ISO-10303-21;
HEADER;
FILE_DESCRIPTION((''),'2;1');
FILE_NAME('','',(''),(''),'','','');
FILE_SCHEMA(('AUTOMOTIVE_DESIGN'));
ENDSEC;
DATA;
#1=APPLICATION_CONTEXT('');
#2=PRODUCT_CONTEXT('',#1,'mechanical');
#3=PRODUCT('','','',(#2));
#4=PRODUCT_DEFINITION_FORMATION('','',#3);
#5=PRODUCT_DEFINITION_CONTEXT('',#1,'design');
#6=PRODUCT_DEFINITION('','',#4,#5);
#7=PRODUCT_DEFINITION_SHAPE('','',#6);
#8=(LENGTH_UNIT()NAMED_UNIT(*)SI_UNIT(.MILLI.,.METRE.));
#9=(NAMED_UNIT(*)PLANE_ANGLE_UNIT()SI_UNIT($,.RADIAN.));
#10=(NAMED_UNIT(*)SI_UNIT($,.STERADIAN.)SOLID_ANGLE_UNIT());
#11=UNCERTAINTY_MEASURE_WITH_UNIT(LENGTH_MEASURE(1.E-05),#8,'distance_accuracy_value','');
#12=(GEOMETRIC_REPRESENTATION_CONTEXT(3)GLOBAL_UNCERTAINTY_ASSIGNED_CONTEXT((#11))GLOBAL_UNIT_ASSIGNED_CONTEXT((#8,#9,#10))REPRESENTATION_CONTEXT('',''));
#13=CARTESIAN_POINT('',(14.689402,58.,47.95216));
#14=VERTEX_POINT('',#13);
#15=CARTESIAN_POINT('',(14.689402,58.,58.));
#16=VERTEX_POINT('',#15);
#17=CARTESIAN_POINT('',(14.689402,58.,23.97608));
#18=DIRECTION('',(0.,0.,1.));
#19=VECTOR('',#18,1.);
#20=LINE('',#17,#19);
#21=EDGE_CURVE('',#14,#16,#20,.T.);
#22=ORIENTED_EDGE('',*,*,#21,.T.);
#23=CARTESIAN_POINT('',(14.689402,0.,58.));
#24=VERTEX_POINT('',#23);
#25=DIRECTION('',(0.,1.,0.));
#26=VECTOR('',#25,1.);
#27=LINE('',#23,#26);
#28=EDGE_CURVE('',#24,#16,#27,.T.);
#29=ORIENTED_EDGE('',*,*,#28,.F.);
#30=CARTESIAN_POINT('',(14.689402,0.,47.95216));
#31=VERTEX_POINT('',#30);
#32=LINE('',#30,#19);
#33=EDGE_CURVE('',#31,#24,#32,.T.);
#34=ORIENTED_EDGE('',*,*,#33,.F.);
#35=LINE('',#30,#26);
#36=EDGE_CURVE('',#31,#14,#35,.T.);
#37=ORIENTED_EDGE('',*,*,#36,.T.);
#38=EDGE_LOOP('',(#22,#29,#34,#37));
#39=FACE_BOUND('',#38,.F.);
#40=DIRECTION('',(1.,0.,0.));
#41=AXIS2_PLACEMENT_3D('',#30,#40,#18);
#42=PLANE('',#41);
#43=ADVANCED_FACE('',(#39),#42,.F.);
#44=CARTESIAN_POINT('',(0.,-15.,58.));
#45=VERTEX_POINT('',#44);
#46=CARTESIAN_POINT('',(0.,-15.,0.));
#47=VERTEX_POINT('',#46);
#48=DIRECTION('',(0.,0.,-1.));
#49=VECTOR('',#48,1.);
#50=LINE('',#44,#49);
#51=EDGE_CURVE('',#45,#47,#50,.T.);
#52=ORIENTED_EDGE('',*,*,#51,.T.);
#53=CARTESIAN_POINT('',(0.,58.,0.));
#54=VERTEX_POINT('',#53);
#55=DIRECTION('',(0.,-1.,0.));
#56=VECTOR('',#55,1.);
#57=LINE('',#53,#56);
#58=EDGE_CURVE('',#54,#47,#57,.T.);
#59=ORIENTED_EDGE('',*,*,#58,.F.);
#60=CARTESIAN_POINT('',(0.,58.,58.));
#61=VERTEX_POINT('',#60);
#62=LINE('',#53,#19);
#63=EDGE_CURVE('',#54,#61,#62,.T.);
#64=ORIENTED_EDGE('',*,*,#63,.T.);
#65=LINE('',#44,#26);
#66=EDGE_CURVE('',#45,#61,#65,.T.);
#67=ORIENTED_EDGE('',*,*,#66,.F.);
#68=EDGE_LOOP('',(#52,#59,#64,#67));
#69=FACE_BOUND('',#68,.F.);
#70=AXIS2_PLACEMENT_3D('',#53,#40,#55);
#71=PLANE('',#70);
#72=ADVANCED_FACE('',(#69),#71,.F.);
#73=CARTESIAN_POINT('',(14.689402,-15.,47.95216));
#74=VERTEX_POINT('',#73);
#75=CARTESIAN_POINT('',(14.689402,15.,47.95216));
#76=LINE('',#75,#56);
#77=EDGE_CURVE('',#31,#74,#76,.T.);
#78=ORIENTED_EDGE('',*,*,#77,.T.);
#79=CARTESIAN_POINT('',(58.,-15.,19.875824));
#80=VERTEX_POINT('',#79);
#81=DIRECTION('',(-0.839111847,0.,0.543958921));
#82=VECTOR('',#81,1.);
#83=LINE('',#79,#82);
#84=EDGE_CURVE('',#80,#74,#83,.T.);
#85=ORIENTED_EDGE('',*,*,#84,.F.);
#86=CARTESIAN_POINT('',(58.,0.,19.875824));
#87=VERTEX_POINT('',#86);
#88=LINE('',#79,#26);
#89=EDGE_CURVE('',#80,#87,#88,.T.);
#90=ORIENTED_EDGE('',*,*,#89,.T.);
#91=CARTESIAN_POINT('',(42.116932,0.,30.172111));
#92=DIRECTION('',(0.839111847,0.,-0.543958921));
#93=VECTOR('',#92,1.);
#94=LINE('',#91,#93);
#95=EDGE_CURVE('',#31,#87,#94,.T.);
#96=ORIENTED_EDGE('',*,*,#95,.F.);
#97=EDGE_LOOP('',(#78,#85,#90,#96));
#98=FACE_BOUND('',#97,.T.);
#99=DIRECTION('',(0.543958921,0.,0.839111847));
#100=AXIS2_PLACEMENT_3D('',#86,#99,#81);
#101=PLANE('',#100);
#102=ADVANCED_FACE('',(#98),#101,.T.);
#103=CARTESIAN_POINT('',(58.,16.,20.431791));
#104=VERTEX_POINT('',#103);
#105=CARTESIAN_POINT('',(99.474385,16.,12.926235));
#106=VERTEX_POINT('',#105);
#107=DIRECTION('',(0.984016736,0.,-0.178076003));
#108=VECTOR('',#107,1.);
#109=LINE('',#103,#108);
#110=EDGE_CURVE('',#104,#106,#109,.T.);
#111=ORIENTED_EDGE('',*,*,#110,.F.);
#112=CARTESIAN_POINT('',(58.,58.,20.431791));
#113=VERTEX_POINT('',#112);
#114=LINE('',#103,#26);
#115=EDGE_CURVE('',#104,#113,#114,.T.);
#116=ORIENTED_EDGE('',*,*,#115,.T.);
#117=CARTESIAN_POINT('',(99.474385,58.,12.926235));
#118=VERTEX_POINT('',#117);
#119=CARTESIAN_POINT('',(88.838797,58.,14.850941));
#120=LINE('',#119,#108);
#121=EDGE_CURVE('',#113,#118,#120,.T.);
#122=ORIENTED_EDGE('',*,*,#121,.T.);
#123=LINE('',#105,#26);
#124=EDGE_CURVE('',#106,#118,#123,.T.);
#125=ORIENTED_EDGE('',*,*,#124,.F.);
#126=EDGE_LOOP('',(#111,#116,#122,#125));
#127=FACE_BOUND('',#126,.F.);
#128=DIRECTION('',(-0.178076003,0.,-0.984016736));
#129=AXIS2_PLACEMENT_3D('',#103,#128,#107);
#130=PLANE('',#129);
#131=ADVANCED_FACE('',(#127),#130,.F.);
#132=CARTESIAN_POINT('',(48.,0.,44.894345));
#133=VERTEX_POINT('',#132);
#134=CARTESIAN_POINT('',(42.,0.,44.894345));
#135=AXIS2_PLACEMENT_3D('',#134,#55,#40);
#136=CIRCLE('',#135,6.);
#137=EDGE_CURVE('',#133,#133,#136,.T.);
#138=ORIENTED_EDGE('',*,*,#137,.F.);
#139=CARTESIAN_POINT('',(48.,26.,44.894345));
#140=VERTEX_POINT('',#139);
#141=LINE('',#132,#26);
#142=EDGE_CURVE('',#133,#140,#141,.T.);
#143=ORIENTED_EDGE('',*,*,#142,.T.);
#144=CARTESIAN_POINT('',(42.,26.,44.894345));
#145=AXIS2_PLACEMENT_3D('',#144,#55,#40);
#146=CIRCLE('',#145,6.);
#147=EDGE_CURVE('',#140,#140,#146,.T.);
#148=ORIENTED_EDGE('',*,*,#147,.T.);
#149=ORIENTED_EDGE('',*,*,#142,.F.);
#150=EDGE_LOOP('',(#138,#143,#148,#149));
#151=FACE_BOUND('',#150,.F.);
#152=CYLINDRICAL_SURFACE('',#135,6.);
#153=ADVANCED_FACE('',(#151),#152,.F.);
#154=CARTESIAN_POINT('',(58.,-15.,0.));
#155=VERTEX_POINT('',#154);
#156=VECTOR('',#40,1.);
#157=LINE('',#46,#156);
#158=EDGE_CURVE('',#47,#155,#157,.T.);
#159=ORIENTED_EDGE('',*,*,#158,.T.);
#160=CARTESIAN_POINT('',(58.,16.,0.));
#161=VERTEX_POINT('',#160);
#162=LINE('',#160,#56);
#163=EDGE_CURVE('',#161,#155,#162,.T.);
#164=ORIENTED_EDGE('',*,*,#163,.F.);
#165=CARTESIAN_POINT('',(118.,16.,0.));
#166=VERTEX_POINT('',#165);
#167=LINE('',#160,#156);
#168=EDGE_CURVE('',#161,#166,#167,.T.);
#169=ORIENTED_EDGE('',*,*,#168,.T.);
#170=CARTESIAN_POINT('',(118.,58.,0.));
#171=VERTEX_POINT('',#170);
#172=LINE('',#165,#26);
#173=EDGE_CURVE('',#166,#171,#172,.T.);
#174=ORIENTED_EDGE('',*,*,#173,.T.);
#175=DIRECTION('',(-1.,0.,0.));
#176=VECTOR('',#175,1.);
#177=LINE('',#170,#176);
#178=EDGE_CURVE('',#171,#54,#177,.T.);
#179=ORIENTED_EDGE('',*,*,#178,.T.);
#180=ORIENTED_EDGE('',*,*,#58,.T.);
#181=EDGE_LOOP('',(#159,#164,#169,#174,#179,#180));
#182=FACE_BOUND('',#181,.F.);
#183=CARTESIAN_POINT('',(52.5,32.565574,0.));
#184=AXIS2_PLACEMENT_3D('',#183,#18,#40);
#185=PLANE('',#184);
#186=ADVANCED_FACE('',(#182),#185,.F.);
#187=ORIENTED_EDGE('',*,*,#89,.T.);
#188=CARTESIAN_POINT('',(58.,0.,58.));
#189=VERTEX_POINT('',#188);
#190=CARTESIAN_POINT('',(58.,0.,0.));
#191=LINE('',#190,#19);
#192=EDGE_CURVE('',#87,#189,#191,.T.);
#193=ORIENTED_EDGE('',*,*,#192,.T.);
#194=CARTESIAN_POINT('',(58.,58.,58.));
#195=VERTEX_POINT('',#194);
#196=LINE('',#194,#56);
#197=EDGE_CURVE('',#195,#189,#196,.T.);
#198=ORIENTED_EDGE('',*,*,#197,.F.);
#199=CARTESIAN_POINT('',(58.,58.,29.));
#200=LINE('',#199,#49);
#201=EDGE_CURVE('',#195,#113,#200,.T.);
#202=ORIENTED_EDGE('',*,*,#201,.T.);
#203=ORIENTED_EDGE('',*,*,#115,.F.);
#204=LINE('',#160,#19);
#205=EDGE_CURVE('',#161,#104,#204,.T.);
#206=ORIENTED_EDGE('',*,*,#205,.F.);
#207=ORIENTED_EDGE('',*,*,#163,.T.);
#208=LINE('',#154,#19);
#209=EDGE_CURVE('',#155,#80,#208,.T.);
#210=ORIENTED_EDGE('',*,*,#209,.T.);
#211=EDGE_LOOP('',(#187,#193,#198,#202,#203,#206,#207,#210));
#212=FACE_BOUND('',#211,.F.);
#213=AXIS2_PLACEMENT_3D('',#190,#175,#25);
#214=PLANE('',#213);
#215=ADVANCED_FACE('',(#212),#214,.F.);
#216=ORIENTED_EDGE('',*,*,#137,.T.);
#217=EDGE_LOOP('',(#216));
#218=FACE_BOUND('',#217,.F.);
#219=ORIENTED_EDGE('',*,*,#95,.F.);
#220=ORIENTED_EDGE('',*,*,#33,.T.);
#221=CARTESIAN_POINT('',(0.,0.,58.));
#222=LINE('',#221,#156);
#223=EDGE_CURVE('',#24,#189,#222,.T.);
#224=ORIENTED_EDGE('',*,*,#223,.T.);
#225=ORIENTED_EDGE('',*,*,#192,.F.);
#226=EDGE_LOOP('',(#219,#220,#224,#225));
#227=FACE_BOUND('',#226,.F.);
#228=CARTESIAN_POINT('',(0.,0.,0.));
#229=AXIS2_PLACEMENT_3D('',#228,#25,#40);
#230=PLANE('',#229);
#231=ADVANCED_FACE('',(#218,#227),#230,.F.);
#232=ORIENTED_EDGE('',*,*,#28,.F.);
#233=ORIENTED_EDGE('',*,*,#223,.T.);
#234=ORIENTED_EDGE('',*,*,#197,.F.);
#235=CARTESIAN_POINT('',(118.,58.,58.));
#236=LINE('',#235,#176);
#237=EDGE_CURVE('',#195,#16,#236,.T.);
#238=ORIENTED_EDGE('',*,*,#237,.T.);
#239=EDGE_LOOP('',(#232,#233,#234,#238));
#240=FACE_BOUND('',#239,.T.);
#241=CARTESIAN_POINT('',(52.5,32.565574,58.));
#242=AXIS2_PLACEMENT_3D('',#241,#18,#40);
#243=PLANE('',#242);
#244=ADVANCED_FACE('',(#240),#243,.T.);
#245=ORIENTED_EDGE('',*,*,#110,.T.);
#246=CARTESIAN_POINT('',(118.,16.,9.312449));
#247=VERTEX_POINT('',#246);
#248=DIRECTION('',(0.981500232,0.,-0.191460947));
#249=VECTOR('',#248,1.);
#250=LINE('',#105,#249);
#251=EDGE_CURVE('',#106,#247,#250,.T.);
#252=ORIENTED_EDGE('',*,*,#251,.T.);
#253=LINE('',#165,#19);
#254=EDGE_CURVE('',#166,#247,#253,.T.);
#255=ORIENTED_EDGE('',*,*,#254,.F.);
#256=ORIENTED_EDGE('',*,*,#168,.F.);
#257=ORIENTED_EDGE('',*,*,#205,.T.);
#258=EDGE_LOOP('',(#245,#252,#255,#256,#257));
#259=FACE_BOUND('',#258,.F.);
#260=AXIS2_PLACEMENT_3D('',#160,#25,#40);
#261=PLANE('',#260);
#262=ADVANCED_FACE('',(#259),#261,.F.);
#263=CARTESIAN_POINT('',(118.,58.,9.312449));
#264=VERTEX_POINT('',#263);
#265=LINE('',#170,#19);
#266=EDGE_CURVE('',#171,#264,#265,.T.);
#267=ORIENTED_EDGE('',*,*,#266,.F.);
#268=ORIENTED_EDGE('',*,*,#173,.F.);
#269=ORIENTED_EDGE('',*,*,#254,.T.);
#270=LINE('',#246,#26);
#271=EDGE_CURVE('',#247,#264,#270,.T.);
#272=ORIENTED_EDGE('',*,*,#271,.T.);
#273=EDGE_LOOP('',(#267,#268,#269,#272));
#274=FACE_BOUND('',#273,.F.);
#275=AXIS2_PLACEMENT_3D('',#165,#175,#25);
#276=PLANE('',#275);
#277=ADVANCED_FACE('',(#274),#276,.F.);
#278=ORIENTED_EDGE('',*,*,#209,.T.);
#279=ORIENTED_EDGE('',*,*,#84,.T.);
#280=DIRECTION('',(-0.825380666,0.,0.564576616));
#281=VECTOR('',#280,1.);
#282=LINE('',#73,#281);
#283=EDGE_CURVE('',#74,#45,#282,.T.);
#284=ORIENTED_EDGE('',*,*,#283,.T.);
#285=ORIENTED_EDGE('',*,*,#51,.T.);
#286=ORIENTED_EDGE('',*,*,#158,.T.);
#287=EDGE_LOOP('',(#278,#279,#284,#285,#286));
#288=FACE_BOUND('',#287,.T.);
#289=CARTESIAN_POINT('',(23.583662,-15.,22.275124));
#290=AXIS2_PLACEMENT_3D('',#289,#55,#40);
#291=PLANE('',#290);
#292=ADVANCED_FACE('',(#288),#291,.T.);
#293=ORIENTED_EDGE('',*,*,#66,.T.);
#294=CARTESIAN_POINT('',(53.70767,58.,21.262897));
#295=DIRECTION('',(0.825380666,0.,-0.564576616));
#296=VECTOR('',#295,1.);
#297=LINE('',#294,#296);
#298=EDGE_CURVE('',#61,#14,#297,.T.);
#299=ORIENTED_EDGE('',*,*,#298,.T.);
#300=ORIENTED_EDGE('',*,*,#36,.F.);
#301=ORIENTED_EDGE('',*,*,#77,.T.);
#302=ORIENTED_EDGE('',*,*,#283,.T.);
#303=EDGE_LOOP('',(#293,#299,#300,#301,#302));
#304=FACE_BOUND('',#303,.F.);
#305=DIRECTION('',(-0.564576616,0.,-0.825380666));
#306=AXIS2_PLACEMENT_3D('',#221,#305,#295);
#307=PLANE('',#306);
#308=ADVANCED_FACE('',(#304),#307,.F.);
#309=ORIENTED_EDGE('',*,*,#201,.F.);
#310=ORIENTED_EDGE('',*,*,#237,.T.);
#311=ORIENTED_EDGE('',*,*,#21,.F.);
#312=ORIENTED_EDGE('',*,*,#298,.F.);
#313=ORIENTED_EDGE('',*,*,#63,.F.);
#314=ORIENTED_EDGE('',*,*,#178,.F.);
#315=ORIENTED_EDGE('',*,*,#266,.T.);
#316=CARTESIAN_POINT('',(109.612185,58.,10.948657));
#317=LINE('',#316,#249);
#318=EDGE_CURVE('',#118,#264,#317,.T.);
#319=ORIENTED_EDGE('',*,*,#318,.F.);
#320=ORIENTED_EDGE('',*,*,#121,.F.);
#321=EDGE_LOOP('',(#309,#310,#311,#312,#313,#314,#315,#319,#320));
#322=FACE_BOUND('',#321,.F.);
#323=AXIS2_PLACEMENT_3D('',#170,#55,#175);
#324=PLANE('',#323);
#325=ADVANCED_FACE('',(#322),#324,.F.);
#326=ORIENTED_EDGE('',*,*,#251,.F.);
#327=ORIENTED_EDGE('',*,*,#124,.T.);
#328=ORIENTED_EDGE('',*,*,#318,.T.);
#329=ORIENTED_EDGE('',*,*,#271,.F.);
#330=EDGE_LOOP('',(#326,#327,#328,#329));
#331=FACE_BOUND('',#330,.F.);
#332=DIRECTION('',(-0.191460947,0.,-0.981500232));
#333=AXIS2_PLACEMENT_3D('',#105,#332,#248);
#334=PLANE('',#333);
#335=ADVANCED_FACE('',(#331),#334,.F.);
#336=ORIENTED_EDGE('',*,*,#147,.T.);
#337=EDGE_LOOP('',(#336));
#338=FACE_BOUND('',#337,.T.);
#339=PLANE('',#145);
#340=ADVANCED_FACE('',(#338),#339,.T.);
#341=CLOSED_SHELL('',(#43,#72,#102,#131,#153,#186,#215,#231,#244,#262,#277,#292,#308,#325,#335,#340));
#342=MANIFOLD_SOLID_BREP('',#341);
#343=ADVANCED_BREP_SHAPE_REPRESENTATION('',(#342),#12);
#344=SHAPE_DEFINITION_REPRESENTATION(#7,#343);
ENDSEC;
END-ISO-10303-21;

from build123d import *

# Parameters (mm, degrees)
F1_DEPTH  = 58
F3_DEPTH  = 58.001
F6_DEPTH  = 42.001
F7_DEPTH  = 15
F9_DEPTH  = 42.001
F10_R     = 6
F11_DEPTH = 26


with BuildPart() as f1:
    # F0 (on Top) → F1 (new body)
    with BuildSketch(Plane.XY):
        Polygon((0, 58), (0, 0), (58, 0), (58, 16), (16, 16), (16, 42), (88, 42), (88, 16), (118, 16), (118, 58), align=None)
        Polygon((16, 16), (58, 16), (88, 16), (88, 42), (16, 42), align=None)
    extrude(amount=F1_DEPTH)

    # F2 (on face) → F3 (cut, through all)
    with BuildSketch(Plane.XZ):
        Polygon((14.689402, 58), (0, 58), (14.689402, 47.95216), align=None)
    extrude(amount=-F3_DEPTH, mode=Mode.SUBTRACT)

    # F5 (on face) → F6 (cut, through all)
    with BuildSketch(Plane.XZ.offset(-16)):
        Polygon((118, 58), (97.528502, 58), (99.474385, 12.926235), (118, 9.312449), align=None)
    extrude(amount=-F6_DEPTH, mode=Mode.SUBTRACT)

    # F4 (on face) → F7 (join, symmetric)
    with BuildSketch(Plane.XZ):
        Polygon((58, 19.875824), (14.689402, 47.95216), (0, 58), (0, 0), (58, 0), align=None)
    extrude(amount=F7_DEPTH, both=True)

    # F8 (on face) → F9 (cut, through all)
    with BuildSketch(Plane.XZ.offset(-16)):
        Polygon((97.528502, 58), (58, 58), (58, 20.431791), (99.474385, 12.926235), align=None)
    extrude(amount=-F9_DEPTH, mode=Mode.SUBTRACT)

    # F10 (on face) → F11 (cut)
    with BuildSketch(Plane.XZ):
        with Locations((42, 44.894345)):
            Circle(F10_R)
    extrude(amount=-F11_DEPTH, mode=Mode.SUBTRACT)


solid = f1.part
